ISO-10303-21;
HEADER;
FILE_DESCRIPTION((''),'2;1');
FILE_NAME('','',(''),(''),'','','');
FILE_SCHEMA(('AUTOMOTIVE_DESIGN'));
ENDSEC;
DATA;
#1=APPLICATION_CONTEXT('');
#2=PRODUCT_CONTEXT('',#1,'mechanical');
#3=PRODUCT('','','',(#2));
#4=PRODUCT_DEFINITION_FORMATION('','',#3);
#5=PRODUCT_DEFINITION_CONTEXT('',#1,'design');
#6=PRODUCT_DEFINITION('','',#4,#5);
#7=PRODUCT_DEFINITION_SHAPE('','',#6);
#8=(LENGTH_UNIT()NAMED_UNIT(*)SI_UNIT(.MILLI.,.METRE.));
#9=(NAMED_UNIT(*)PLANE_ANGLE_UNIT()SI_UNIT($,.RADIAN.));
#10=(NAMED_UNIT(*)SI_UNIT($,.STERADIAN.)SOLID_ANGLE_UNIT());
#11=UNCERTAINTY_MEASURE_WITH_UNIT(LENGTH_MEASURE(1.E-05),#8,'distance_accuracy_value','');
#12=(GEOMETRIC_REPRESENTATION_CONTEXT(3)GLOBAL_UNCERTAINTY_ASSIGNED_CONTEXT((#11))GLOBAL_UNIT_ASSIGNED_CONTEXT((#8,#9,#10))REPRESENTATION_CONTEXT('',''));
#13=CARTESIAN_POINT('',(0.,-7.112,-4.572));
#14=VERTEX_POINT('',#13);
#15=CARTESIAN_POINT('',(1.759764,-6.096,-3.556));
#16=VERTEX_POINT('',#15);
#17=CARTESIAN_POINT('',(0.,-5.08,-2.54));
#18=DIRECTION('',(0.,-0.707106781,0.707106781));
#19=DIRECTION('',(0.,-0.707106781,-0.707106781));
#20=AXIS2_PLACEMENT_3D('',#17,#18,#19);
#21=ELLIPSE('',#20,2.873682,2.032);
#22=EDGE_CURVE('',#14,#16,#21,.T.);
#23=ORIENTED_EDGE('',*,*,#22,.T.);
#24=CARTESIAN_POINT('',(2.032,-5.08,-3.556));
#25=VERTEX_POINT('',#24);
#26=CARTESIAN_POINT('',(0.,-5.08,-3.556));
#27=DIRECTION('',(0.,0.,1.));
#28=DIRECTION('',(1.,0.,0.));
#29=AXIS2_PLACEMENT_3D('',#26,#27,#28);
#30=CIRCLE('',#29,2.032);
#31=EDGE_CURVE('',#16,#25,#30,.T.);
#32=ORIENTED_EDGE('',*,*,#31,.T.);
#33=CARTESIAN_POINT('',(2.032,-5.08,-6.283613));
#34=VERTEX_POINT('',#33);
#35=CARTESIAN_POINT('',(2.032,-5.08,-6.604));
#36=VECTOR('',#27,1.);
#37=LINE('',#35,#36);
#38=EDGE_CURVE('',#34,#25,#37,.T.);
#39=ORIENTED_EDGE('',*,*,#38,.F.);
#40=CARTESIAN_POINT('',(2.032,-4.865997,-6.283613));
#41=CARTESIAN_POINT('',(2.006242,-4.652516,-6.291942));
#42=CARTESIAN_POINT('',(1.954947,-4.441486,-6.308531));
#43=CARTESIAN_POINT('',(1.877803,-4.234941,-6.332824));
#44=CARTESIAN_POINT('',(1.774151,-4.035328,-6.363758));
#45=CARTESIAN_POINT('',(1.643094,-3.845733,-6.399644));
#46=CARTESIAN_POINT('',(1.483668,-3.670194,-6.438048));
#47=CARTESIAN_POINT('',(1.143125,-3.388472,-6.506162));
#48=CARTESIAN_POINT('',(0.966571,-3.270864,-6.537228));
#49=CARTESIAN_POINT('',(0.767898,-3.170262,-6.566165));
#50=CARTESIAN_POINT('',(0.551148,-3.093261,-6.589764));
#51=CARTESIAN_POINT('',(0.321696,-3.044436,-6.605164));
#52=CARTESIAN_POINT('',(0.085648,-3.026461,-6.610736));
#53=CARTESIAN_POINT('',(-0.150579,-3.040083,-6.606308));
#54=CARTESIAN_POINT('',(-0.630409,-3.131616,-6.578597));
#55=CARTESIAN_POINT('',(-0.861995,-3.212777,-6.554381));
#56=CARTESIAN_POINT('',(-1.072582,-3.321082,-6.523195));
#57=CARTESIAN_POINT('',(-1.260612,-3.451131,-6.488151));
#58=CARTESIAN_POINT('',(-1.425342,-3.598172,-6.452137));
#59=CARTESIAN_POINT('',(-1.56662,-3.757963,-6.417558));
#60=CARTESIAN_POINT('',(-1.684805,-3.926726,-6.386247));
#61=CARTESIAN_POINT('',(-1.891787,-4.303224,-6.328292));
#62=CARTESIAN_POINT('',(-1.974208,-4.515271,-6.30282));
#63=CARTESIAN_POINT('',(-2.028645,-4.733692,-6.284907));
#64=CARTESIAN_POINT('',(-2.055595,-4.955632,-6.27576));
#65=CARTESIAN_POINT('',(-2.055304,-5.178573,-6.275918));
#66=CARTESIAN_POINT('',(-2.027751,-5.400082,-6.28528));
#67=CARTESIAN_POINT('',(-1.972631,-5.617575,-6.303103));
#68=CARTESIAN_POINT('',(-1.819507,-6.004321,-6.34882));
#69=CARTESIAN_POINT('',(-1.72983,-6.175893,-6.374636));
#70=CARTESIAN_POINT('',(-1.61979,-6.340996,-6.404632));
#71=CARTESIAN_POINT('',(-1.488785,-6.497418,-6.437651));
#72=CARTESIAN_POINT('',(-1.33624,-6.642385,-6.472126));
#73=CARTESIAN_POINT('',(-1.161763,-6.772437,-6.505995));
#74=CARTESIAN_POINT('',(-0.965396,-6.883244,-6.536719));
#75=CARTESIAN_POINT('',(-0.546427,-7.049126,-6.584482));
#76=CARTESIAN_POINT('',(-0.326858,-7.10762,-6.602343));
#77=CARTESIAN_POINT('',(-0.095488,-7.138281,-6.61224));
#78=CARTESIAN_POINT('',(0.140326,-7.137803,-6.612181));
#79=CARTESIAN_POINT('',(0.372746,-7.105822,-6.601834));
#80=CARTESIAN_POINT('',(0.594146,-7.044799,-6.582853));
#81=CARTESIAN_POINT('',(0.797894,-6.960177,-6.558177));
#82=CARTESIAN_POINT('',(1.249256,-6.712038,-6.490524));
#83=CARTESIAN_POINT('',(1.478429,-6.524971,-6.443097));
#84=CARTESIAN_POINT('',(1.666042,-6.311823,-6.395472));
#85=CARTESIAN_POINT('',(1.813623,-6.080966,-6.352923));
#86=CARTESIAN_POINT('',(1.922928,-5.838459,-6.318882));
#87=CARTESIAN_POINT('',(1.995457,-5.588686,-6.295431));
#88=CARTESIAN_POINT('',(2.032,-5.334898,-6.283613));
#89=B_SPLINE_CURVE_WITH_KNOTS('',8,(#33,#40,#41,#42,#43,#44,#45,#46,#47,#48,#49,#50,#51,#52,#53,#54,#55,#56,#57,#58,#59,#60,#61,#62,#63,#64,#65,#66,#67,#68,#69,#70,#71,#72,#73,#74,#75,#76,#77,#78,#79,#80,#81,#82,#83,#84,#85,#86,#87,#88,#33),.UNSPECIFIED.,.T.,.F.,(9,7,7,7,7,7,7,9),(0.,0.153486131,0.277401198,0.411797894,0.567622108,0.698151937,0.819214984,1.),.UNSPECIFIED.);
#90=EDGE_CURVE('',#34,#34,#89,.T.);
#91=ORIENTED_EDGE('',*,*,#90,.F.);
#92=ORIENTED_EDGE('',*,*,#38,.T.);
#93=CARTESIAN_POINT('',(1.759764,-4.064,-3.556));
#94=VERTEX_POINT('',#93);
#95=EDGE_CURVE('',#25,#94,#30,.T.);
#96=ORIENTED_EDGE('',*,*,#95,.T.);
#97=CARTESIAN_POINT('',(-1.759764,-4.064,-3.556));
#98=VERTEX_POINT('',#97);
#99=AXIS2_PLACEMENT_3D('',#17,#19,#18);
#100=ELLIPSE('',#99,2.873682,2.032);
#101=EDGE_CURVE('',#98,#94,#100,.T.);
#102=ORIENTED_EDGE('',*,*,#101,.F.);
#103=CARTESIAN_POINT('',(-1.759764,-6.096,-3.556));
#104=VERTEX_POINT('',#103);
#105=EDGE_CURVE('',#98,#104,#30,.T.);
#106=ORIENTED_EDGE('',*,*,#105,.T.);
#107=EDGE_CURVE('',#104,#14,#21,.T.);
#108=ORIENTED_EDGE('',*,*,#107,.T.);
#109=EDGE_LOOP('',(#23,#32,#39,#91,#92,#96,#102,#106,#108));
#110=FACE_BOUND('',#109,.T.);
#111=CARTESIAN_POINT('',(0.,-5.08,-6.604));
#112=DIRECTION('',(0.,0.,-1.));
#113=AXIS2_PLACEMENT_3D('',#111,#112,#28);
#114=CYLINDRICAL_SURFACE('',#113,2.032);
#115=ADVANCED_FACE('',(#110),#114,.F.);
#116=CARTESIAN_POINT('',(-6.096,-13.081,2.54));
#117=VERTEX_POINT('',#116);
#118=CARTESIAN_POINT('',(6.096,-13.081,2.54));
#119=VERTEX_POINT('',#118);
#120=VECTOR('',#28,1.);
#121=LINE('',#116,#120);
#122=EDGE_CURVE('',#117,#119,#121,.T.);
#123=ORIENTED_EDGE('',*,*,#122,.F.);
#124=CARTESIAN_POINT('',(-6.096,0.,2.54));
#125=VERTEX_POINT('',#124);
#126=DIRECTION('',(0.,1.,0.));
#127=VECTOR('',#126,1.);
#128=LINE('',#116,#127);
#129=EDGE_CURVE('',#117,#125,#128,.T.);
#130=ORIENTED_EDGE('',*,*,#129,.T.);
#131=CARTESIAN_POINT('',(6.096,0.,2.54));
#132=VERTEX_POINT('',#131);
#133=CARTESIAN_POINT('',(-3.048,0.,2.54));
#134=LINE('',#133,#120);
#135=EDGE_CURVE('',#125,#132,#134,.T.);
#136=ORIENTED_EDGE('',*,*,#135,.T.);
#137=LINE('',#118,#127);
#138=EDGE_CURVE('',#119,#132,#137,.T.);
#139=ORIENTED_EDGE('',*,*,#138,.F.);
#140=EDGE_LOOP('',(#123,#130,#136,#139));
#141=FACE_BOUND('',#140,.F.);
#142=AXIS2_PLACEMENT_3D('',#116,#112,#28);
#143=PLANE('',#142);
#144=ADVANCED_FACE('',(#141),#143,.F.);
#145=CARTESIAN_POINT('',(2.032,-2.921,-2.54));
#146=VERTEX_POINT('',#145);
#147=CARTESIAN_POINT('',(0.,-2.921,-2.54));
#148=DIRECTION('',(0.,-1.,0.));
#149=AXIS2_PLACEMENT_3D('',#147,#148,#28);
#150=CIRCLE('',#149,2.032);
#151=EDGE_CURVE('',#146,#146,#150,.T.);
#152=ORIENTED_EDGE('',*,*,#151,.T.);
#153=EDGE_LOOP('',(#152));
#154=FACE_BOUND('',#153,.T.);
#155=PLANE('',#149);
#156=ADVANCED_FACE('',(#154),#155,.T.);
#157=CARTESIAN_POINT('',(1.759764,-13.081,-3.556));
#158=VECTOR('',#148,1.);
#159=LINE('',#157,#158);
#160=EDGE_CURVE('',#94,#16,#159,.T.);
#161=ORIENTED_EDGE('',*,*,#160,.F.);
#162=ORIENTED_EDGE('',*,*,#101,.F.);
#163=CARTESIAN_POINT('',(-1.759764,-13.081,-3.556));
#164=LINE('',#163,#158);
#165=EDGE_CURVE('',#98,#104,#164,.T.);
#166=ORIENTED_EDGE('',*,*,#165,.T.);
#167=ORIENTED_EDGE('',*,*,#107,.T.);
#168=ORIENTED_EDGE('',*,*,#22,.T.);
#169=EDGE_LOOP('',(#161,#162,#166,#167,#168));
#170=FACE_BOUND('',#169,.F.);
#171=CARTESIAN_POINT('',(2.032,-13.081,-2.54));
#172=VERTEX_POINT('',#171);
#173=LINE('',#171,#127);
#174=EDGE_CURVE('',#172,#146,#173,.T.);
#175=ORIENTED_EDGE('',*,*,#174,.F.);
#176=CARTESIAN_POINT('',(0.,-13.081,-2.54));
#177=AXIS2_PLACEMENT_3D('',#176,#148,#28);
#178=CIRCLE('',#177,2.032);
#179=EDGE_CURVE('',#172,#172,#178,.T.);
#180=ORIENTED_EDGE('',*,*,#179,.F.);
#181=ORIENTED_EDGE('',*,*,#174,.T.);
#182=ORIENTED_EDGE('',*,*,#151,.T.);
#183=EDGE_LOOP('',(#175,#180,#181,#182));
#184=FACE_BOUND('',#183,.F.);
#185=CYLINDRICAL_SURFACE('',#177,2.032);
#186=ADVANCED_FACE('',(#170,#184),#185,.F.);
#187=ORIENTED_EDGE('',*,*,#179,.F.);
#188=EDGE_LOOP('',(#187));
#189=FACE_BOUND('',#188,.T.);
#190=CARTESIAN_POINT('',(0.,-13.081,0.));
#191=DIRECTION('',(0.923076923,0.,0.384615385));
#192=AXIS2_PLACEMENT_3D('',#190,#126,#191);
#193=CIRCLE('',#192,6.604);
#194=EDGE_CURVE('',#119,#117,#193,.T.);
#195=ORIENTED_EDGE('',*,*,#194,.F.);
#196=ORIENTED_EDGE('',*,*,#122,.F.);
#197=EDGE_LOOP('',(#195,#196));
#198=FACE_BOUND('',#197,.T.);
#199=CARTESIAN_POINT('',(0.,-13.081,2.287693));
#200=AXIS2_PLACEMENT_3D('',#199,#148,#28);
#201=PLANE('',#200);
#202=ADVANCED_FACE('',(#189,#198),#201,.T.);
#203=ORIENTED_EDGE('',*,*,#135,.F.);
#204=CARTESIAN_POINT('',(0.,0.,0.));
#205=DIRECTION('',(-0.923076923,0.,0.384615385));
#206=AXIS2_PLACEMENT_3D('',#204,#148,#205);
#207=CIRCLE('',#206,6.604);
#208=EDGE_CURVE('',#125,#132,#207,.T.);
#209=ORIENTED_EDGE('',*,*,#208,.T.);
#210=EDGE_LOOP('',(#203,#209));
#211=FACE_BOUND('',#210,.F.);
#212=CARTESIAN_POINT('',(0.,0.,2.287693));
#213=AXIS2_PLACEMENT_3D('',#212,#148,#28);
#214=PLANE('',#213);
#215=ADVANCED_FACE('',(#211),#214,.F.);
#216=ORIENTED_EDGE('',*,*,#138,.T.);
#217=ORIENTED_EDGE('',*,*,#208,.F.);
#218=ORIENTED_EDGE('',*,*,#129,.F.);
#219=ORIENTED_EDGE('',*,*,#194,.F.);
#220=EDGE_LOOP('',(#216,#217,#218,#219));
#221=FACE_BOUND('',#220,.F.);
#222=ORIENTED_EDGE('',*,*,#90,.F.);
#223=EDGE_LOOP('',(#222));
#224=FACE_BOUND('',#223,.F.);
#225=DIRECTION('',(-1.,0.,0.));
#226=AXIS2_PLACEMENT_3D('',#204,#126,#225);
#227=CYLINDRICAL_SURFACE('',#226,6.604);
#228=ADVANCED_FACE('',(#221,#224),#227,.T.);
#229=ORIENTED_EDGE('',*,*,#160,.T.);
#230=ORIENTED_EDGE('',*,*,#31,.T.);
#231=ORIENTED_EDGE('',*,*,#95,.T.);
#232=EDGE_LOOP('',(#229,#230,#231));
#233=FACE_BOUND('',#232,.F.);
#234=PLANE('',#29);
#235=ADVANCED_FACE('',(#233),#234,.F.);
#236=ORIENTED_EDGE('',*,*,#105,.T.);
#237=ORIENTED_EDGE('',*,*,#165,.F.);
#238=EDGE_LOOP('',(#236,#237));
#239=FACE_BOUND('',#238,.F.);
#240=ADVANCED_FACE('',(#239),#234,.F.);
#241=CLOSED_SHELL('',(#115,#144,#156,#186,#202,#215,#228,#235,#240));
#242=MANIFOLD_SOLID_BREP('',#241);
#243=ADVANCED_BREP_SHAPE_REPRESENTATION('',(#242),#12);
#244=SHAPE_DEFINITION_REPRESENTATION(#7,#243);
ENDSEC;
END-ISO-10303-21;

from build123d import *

# Parameters (mm, degrees)
F1_DEPTH = 13.081
F2_R     = 2.032
F3_DEPTH = 10.16
F5_DEPTH = 13.082
F7_R     = 2.032
F8_DEPTH = 3.048


with BuildPart() as f1:
    # F0 (on Front) → F1 (new body)
    with BuildSketch(Plane.XZ):
        with BuildLine():
            ThreePointArc((6.604, 0), (0, 6.604), (-6.604, 0))
            Line((-6.604, 0), (6.604, 0))
        make_face()
        with BuildLine():
            Line((6.604, 0), (-6.604, 0))
            ThreePointArc((-6.604, 0), (0, -6.604), (6.604, 0))
        make_face()
    extrude(amount=F1_DEPTH)

    # F2 (on face) → F3 (cut)
    with BuildSketch(Plane.XZ.offset(13.081)):
        with Locations((0, -2.54)):
            Circle(F2_R)
    extrude(amount=-F3_DEPTH, mode=Mode.SUBTRACT)

    # F4 (on face) → F5 (cut, through all)
    with BuildSketch(Plane.XZ.offset(13.081)):
        with BuildLine():
            ThreePointArc((6.096, 2.54), (0, 6.604), (-6.096, 2.54))
            Line((-6.096, 2.54), (6.096, 2.54))
        make_face()
    extrude(amount=-F5_DEPTH, mode=Mode.SUBTRACT)

    # F7 (on offset) → F8 (cut)
    with BuildSketch(Plane.XY.offset(-6.604)):
        with Locations((0, -5.08)):
            Circle(F7_R)
    extrude(amount=F8_DEPTH, mode=Mode.SUBTRACT)


solid = f1.part
